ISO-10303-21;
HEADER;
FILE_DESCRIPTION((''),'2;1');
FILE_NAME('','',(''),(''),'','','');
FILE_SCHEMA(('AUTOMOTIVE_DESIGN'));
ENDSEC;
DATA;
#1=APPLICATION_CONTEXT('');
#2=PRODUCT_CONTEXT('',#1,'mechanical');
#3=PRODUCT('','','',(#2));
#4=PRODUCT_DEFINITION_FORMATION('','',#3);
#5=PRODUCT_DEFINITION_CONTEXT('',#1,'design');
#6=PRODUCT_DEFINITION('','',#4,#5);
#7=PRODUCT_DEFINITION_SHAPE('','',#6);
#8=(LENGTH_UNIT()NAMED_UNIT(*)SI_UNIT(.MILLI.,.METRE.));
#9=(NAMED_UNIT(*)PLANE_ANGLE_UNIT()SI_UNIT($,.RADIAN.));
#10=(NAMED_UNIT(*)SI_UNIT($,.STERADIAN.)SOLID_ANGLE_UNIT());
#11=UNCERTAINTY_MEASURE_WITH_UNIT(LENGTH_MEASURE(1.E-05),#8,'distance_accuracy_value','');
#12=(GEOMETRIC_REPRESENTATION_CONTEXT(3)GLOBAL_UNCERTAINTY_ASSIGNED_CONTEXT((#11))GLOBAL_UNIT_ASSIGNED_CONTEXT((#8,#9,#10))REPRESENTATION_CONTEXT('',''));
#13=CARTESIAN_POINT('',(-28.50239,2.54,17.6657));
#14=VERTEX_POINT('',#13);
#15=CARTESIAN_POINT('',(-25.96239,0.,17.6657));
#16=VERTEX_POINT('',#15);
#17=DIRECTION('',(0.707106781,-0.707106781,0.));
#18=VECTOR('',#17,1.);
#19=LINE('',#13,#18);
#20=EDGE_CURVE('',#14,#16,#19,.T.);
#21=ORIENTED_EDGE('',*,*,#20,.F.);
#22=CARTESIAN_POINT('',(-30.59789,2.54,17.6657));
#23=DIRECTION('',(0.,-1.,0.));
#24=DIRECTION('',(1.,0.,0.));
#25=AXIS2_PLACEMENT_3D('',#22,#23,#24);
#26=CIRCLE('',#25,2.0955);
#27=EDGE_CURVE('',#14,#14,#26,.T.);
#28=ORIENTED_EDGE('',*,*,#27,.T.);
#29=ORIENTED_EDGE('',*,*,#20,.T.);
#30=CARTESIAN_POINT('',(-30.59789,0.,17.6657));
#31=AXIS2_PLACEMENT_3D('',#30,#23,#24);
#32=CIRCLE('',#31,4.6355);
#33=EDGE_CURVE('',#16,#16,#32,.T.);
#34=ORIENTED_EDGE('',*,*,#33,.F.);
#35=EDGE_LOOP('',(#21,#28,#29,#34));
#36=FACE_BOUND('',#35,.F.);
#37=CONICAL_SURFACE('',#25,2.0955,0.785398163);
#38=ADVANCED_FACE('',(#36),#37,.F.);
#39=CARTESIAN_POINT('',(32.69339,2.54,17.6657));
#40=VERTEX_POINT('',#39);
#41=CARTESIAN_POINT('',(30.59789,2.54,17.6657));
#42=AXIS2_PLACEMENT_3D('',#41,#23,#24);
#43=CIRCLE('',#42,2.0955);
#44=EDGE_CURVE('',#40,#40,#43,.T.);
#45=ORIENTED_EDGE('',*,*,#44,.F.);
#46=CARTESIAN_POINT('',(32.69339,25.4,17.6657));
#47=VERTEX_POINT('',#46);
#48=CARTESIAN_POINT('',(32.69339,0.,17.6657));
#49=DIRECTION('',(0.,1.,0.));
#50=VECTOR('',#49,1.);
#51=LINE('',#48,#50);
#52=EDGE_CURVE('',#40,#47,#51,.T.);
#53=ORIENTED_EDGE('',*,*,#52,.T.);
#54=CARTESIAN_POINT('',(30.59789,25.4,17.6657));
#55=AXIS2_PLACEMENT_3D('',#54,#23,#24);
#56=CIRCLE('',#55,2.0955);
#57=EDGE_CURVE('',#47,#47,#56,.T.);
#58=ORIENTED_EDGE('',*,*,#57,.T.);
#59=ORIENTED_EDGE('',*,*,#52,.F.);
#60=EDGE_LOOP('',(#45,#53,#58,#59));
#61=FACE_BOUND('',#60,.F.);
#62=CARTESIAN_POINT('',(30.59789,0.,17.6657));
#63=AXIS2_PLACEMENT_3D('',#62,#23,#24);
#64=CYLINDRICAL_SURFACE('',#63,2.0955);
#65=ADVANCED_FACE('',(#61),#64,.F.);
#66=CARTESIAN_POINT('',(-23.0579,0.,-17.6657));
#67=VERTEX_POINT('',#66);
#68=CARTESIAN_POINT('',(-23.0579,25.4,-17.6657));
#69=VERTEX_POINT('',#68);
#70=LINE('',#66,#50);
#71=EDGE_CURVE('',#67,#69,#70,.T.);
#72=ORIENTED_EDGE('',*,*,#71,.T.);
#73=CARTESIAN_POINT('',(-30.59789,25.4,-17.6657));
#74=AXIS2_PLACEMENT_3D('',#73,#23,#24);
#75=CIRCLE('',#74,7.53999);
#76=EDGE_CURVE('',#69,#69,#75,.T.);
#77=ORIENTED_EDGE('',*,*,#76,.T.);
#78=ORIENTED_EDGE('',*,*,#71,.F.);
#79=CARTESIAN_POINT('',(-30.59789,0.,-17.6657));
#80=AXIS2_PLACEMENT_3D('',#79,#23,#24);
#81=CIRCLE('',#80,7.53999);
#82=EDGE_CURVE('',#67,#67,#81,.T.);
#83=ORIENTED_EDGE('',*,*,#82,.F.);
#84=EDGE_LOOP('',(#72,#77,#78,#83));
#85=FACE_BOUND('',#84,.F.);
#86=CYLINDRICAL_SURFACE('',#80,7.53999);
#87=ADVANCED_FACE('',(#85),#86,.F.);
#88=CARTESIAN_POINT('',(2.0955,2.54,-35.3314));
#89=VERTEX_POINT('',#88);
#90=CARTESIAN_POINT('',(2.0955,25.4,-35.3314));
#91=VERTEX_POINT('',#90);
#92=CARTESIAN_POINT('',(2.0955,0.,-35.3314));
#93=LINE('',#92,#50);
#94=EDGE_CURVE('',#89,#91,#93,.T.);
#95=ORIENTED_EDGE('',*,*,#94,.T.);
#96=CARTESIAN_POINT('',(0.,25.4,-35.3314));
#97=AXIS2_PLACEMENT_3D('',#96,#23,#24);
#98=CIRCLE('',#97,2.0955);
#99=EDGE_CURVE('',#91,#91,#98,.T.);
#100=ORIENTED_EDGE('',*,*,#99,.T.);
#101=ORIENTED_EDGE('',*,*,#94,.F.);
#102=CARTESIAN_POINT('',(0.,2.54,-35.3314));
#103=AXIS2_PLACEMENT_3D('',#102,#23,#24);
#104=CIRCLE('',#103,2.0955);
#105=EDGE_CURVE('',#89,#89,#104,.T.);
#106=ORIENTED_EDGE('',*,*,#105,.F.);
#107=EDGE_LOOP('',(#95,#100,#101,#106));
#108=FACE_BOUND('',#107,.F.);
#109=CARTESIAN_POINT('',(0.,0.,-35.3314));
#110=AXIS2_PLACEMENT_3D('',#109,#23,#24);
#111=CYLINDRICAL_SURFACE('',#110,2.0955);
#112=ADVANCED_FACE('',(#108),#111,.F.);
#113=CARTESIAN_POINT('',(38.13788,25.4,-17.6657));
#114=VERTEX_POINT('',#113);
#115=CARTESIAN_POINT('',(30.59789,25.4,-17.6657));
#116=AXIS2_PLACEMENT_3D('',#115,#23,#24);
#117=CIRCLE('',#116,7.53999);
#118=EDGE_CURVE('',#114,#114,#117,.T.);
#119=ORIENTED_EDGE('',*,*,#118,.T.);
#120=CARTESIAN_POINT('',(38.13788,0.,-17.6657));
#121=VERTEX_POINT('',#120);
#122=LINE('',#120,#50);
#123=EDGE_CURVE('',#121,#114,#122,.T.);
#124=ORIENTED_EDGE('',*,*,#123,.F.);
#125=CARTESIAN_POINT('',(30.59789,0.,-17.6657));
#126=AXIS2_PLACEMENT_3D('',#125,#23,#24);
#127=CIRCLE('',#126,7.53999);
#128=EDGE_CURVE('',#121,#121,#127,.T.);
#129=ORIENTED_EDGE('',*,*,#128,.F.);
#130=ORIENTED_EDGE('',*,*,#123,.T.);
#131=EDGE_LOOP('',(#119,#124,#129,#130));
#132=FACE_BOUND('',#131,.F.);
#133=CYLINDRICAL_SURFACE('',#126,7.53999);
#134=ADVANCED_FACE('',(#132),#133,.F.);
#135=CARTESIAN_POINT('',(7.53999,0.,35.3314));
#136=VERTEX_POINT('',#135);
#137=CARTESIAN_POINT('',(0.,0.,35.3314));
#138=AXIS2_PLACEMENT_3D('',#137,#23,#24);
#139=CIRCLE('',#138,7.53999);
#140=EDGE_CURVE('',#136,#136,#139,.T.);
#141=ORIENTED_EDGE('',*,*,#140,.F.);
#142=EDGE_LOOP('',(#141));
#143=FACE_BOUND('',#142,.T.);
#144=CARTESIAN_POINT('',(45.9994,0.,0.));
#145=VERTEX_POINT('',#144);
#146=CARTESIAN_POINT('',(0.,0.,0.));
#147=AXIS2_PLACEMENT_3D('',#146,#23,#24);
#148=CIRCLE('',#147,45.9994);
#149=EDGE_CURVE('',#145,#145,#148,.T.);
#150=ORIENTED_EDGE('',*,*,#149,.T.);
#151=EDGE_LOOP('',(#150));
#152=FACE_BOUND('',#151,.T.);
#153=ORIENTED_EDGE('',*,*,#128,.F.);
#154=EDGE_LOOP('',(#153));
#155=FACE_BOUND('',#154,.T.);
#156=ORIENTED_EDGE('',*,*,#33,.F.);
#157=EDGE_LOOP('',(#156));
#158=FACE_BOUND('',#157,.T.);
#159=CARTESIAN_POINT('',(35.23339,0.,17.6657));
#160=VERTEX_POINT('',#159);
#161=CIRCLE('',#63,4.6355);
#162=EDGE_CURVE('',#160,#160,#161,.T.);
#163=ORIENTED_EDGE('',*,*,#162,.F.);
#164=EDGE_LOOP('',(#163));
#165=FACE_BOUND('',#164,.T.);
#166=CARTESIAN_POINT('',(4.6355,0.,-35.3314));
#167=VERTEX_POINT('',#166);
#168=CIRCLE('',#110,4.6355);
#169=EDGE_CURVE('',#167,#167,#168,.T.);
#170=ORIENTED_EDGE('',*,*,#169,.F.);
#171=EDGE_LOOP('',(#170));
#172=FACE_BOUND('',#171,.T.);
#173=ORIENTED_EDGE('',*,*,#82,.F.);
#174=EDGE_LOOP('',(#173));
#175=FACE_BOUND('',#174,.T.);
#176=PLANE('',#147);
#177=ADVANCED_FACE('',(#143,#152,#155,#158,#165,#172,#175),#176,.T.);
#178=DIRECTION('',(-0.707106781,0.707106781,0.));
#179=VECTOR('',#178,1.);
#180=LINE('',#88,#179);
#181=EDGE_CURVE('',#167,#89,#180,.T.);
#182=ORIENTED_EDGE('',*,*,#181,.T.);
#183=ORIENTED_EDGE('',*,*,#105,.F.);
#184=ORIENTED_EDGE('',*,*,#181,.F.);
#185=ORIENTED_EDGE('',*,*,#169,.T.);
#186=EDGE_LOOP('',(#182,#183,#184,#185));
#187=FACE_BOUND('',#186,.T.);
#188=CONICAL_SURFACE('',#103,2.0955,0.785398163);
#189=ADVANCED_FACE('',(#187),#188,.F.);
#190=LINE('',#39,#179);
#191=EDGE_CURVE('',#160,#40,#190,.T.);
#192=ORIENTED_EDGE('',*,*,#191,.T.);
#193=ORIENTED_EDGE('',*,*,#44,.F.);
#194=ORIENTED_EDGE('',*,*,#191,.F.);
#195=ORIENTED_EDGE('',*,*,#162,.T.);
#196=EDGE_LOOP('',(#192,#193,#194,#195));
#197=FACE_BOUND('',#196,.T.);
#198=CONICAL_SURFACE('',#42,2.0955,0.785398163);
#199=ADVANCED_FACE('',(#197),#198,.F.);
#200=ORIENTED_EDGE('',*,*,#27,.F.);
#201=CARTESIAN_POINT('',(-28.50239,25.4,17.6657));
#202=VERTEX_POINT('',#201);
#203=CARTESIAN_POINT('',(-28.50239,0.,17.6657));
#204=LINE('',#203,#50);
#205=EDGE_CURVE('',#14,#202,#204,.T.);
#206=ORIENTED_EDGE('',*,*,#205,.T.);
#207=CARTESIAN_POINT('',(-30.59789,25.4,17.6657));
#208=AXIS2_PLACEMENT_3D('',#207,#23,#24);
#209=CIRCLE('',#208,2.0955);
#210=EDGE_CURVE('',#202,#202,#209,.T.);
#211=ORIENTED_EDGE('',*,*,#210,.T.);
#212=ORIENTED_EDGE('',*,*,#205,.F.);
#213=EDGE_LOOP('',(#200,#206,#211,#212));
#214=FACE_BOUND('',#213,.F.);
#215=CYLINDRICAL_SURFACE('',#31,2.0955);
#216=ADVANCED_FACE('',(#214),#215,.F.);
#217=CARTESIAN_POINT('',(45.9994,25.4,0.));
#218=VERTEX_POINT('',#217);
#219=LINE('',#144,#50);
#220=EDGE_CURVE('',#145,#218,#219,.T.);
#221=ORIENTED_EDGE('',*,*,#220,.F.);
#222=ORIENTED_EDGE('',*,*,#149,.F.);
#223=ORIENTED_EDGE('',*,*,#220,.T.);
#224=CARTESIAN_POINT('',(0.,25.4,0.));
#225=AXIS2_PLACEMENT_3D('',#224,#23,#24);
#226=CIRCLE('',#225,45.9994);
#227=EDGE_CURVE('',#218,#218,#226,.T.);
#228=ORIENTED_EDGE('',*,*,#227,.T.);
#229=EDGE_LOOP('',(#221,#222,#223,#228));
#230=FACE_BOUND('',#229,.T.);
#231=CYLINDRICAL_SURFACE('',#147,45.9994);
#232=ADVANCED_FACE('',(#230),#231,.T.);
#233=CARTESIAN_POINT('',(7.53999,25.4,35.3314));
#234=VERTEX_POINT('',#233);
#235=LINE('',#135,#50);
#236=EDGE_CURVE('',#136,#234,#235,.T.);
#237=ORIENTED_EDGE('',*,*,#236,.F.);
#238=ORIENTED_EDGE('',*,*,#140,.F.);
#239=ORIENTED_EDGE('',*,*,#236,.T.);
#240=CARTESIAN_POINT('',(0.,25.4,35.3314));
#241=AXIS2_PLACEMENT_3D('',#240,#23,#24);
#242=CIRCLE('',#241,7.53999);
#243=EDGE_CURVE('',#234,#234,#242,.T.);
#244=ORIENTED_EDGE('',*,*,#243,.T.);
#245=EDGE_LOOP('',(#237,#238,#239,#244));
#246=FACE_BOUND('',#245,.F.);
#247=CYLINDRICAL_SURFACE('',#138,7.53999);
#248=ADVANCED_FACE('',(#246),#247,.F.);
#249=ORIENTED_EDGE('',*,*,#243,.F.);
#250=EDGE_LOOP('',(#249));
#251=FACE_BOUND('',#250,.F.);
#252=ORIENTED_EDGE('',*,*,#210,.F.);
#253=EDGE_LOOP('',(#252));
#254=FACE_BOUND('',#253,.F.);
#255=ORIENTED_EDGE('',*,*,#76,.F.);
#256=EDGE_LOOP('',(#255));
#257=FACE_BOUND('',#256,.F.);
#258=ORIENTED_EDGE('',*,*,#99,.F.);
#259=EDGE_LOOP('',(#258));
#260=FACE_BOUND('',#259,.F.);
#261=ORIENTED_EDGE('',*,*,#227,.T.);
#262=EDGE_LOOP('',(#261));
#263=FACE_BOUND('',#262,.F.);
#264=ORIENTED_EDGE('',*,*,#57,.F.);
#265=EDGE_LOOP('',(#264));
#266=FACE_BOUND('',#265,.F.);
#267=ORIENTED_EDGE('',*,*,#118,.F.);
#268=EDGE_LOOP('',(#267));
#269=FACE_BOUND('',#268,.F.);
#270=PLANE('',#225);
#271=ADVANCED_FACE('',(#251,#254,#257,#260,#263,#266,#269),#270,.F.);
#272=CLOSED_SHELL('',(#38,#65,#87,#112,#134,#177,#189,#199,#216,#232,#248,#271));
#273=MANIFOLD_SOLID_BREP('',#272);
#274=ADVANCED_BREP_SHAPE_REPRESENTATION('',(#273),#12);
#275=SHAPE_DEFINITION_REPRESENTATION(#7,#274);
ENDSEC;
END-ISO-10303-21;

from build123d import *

# Parameters (mm, degrees)
F0_R     = 45.9994
F0_R_2   = 7.53999
F0_R_3   = 2.0955
F1_DEPTH = 25.4
F2_SIZE  = 2.54
F3_SIZE  = 2.54
F4_SIZE  = 2.54


with BuildPart() as f1:
    # F0 (on Front) → F1 (new body)
    with BuildSketch(Plane.XZ):
        Circle(F0_R)
        with Locations((-30.59789, -17.6657)):
            Circle(F0_R_2, mode=Mode.SUBTRACT)
        with Locations((0, -35.3314)):
            Circle(F0_R_3, mode=Mode.SUBTRACT)
        with Locations((30.59789, -17.6657)):
            Circle(F0_R_2, mode=Mode.SUBTRACT)
        with Locations((-30.59789, 17.6657)):
            Circle(F0_R_3, mode=Mode.SUBTRACT)
        with Locations((30.59789, 17.6657)):
            Circle(F0_R_3, mode=Mode.SUBTRACT)
        with Locations((0, 35.3314)):
            Circle(F0_R_2, mode=Mode.SUBTRACT)
    extrude(amount=-F1_DEPTH)

    # F2
    f2_edges = [f1.edges().sort_by_distance(p)[0] for p in [
        (-32.69339, 0, 17.6657),
    ]]
    chamfer(f2_edges, length=F2_SIZE)

    # F3
    f3_edges = [f1.edges().sort_by_distance(p)[0] for p in [
        (28.50239, 0, 17.6657),
    ]]
    chamfer(f3_edges, length=F3_SIZE)

    # F4
    f4_edges = [f1.edges().sort_by_distance(p)[0] for p in [
        (-2.0955, 0, -35.3314),
    ]]
    chamfer(f4_edges, length=F4_SIZE)


solid = f1.part
